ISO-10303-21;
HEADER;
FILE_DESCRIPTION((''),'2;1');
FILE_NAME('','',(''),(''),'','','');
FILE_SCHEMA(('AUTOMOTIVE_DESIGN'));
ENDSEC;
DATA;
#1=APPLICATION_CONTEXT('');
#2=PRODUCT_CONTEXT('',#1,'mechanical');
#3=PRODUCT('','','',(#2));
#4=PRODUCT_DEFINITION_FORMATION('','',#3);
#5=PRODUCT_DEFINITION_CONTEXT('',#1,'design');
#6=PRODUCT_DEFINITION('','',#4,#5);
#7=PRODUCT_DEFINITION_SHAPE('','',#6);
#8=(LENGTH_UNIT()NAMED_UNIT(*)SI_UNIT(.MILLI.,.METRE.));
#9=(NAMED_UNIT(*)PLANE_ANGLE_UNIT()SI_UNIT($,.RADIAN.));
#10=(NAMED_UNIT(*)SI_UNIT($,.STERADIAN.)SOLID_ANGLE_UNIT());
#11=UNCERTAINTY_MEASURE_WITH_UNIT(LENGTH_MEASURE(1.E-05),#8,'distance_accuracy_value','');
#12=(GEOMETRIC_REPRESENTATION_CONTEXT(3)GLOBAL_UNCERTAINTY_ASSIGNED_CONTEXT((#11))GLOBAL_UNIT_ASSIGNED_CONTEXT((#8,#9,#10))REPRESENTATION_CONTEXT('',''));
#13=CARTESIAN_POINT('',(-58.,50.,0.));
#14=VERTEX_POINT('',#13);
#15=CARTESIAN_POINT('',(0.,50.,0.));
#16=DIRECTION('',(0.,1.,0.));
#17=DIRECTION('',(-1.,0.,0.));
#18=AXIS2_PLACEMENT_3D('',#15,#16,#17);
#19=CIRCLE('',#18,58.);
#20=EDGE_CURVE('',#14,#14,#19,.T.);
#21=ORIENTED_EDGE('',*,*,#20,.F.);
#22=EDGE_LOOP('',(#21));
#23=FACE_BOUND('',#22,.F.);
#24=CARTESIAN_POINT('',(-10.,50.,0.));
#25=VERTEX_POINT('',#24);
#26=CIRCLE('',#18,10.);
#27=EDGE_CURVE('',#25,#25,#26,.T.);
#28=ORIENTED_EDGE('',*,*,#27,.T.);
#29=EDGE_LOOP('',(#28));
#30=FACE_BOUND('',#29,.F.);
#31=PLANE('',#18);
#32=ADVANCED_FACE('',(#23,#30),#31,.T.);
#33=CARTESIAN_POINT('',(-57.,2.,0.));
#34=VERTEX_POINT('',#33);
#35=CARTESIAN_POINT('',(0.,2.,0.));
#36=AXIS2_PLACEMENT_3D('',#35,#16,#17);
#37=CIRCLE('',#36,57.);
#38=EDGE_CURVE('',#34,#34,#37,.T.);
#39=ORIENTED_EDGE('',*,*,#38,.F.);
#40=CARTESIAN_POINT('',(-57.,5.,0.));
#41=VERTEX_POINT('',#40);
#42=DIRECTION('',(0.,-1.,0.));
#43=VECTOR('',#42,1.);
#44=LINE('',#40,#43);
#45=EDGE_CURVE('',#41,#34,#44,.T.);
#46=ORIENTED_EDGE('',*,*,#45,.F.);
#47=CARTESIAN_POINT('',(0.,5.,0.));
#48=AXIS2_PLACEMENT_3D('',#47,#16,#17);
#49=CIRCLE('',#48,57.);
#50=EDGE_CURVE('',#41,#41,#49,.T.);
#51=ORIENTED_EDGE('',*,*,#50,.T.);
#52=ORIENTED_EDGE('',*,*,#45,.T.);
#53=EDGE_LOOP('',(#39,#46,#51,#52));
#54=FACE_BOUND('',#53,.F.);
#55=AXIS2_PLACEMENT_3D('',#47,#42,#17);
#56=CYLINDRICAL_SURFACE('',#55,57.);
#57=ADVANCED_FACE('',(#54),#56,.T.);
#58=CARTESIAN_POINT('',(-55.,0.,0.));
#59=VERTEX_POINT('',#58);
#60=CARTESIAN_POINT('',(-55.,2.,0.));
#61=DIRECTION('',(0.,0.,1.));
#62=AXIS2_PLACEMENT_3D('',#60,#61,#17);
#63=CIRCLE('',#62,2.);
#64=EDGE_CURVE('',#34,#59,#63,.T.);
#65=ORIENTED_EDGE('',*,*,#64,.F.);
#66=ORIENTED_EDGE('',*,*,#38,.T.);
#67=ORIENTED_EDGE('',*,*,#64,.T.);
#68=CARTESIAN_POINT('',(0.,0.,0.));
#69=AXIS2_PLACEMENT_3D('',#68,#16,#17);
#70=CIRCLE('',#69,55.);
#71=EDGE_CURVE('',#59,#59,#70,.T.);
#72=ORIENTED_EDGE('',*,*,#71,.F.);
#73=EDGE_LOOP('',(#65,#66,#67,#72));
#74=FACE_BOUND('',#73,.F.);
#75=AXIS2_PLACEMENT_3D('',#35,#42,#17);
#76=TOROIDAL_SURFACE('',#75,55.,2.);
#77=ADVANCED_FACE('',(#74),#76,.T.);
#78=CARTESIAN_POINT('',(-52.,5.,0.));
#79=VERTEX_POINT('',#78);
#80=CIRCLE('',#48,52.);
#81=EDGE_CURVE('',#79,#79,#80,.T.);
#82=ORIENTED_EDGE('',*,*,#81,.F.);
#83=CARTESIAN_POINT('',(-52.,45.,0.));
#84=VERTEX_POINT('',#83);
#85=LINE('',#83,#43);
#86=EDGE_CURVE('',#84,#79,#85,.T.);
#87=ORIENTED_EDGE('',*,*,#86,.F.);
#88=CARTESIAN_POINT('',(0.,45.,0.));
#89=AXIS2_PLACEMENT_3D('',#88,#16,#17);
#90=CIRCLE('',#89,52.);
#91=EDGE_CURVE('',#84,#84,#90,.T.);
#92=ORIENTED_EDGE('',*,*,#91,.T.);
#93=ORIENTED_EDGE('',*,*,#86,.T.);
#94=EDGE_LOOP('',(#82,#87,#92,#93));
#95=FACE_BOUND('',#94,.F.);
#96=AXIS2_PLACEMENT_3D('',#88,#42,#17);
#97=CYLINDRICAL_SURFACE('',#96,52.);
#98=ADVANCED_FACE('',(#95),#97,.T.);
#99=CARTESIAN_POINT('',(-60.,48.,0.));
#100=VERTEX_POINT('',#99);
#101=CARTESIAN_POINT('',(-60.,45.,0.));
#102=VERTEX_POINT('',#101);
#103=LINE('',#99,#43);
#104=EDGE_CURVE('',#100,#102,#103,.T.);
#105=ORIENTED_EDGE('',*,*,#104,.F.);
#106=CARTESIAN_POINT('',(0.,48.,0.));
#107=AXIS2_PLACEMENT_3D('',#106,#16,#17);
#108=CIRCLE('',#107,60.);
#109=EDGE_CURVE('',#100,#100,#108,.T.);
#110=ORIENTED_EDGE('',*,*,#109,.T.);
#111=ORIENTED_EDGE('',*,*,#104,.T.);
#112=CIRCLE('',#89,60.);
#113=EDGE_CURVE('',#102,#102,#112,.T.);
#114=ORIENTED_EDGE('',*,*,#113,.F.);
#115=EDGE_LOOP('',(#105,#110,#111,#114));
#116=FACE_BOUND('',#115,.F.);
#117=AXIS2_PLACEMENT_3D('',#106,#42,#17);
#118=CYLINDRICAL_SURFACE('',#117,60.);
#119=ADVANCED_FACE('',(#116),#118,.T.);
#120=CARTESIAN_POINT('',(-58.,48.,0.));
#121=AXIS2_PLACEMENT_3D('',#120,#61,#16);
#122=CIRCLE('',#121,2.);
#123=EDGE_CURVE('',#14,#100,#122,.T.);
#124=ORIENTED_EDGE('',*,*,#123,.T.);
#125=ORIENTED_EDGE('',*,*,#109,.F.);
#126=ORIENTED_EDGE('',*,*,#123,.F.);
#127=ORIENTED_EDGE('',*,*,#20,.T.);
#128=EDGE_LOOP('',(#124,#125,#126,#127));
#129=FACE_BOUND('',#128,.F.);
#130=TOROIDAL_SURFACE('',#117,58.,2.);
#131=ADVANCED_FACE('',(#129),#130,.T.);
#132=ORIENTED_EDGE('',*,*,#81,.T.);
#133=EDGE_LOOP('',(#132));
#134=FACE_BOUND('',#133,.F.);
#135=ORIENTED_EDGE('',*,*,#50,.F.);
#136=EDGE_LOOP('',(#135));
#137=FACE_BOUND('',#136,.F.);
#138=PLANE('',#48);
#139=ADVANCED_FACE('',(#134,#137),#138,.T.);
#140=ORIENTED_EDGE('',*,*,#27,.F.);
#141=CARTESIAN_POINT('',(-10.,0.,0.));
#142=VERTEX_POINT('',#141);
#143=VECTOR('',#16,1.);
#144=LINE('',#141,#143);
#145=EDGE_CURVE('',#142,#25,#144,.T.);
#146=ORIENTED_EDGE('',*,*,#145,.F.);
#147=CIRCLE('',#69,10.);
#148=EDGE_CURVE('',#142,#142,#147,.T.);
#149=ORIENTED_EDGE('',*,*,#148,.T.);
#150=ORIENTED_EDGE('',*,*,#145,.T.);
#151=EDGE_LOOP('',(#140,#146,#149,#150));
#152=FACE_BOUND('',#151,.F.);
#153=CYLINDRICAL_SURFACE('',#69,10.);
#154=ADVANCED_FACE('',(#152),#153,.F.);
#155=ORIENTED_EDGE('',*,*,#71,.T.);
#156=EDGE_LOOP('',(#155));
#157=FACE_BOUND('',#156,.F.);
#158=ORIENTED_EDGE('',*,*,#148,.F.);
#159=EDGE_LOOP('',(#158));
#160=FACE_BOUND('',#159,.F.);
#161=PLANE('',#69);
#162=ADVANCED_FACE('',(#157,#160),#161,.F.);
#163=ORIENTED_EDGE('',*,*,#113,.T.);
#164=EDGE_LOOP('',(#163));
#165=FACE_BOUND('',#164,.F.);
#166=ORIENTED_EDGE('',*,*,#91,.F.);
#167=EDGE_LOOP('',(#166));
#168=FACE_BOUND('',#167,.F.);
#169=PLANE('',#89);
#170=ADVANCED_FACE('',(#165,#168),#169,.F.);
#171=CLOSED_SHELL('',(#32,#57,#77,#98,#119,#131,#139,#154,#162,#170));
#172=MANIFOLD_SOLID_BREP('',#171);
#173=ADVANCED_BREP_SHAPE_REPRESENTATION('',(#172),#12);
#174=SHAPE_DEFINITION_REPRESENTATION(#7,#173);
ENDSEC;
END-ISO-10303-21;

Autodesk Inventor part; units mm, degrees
ref_plane "YZ Plane" through (0, 0, 0) normal (1, 0, 0) x (0, 1, 0)
ref_plane "XZ Plane" through (0, 0, 0) normal (0, 1, 0) x (-1, 0, 0)
ref_plane "XY Plane" through (0, 0, 0) normal (0, 0, 1) x (1, 0, 0)
sketch "Sketch1" plane through (0, 0, 0) normal (0, 0, 1) x (1, 0, 0)
  line L0 (0, 0) -> (0, 50)
  line L1 (-10, 50) -> (-58, 50)
  line L2 (-60, 48) -> (-60, 45)
  line L3 (-60, 45) -> (-52, 45)
  line L4 (-52, 45) -> (-52, 5)
  line L5 (-52, 5) -> (-57, 5)
  line L6 (-57, 5) -> (-57, 2)
  line L7 (-55, 0) -> (-10, 0)
  line L8 (-10, 0) -> (-10, 50)
  arc A0 (-58, 50) -> (-60, 48) centre (-58, 48) ccw
  arc A1 (-57, 2) -> (-55, 0) centre (-55, 2) ccw
  point P0 (-60, 50)
  point P1 (-57, 0)
  dimension "d0" = 50
  dimension "d1" = 10
  dimension "d2" = 50
  dimension "d3" = 5
  dimension "d4" = 8
  dimension "d5" = 40
  dimension "d6" = 5
  dimension "d7" = 47
  dimension "d8" = 2
revolve "Revolution1" add sketch "Sketch1" angle 360 about axis through (0, 0, 0) along (0, 1, 0)
properties part number "rail wheel" material "Stainless Steel"
